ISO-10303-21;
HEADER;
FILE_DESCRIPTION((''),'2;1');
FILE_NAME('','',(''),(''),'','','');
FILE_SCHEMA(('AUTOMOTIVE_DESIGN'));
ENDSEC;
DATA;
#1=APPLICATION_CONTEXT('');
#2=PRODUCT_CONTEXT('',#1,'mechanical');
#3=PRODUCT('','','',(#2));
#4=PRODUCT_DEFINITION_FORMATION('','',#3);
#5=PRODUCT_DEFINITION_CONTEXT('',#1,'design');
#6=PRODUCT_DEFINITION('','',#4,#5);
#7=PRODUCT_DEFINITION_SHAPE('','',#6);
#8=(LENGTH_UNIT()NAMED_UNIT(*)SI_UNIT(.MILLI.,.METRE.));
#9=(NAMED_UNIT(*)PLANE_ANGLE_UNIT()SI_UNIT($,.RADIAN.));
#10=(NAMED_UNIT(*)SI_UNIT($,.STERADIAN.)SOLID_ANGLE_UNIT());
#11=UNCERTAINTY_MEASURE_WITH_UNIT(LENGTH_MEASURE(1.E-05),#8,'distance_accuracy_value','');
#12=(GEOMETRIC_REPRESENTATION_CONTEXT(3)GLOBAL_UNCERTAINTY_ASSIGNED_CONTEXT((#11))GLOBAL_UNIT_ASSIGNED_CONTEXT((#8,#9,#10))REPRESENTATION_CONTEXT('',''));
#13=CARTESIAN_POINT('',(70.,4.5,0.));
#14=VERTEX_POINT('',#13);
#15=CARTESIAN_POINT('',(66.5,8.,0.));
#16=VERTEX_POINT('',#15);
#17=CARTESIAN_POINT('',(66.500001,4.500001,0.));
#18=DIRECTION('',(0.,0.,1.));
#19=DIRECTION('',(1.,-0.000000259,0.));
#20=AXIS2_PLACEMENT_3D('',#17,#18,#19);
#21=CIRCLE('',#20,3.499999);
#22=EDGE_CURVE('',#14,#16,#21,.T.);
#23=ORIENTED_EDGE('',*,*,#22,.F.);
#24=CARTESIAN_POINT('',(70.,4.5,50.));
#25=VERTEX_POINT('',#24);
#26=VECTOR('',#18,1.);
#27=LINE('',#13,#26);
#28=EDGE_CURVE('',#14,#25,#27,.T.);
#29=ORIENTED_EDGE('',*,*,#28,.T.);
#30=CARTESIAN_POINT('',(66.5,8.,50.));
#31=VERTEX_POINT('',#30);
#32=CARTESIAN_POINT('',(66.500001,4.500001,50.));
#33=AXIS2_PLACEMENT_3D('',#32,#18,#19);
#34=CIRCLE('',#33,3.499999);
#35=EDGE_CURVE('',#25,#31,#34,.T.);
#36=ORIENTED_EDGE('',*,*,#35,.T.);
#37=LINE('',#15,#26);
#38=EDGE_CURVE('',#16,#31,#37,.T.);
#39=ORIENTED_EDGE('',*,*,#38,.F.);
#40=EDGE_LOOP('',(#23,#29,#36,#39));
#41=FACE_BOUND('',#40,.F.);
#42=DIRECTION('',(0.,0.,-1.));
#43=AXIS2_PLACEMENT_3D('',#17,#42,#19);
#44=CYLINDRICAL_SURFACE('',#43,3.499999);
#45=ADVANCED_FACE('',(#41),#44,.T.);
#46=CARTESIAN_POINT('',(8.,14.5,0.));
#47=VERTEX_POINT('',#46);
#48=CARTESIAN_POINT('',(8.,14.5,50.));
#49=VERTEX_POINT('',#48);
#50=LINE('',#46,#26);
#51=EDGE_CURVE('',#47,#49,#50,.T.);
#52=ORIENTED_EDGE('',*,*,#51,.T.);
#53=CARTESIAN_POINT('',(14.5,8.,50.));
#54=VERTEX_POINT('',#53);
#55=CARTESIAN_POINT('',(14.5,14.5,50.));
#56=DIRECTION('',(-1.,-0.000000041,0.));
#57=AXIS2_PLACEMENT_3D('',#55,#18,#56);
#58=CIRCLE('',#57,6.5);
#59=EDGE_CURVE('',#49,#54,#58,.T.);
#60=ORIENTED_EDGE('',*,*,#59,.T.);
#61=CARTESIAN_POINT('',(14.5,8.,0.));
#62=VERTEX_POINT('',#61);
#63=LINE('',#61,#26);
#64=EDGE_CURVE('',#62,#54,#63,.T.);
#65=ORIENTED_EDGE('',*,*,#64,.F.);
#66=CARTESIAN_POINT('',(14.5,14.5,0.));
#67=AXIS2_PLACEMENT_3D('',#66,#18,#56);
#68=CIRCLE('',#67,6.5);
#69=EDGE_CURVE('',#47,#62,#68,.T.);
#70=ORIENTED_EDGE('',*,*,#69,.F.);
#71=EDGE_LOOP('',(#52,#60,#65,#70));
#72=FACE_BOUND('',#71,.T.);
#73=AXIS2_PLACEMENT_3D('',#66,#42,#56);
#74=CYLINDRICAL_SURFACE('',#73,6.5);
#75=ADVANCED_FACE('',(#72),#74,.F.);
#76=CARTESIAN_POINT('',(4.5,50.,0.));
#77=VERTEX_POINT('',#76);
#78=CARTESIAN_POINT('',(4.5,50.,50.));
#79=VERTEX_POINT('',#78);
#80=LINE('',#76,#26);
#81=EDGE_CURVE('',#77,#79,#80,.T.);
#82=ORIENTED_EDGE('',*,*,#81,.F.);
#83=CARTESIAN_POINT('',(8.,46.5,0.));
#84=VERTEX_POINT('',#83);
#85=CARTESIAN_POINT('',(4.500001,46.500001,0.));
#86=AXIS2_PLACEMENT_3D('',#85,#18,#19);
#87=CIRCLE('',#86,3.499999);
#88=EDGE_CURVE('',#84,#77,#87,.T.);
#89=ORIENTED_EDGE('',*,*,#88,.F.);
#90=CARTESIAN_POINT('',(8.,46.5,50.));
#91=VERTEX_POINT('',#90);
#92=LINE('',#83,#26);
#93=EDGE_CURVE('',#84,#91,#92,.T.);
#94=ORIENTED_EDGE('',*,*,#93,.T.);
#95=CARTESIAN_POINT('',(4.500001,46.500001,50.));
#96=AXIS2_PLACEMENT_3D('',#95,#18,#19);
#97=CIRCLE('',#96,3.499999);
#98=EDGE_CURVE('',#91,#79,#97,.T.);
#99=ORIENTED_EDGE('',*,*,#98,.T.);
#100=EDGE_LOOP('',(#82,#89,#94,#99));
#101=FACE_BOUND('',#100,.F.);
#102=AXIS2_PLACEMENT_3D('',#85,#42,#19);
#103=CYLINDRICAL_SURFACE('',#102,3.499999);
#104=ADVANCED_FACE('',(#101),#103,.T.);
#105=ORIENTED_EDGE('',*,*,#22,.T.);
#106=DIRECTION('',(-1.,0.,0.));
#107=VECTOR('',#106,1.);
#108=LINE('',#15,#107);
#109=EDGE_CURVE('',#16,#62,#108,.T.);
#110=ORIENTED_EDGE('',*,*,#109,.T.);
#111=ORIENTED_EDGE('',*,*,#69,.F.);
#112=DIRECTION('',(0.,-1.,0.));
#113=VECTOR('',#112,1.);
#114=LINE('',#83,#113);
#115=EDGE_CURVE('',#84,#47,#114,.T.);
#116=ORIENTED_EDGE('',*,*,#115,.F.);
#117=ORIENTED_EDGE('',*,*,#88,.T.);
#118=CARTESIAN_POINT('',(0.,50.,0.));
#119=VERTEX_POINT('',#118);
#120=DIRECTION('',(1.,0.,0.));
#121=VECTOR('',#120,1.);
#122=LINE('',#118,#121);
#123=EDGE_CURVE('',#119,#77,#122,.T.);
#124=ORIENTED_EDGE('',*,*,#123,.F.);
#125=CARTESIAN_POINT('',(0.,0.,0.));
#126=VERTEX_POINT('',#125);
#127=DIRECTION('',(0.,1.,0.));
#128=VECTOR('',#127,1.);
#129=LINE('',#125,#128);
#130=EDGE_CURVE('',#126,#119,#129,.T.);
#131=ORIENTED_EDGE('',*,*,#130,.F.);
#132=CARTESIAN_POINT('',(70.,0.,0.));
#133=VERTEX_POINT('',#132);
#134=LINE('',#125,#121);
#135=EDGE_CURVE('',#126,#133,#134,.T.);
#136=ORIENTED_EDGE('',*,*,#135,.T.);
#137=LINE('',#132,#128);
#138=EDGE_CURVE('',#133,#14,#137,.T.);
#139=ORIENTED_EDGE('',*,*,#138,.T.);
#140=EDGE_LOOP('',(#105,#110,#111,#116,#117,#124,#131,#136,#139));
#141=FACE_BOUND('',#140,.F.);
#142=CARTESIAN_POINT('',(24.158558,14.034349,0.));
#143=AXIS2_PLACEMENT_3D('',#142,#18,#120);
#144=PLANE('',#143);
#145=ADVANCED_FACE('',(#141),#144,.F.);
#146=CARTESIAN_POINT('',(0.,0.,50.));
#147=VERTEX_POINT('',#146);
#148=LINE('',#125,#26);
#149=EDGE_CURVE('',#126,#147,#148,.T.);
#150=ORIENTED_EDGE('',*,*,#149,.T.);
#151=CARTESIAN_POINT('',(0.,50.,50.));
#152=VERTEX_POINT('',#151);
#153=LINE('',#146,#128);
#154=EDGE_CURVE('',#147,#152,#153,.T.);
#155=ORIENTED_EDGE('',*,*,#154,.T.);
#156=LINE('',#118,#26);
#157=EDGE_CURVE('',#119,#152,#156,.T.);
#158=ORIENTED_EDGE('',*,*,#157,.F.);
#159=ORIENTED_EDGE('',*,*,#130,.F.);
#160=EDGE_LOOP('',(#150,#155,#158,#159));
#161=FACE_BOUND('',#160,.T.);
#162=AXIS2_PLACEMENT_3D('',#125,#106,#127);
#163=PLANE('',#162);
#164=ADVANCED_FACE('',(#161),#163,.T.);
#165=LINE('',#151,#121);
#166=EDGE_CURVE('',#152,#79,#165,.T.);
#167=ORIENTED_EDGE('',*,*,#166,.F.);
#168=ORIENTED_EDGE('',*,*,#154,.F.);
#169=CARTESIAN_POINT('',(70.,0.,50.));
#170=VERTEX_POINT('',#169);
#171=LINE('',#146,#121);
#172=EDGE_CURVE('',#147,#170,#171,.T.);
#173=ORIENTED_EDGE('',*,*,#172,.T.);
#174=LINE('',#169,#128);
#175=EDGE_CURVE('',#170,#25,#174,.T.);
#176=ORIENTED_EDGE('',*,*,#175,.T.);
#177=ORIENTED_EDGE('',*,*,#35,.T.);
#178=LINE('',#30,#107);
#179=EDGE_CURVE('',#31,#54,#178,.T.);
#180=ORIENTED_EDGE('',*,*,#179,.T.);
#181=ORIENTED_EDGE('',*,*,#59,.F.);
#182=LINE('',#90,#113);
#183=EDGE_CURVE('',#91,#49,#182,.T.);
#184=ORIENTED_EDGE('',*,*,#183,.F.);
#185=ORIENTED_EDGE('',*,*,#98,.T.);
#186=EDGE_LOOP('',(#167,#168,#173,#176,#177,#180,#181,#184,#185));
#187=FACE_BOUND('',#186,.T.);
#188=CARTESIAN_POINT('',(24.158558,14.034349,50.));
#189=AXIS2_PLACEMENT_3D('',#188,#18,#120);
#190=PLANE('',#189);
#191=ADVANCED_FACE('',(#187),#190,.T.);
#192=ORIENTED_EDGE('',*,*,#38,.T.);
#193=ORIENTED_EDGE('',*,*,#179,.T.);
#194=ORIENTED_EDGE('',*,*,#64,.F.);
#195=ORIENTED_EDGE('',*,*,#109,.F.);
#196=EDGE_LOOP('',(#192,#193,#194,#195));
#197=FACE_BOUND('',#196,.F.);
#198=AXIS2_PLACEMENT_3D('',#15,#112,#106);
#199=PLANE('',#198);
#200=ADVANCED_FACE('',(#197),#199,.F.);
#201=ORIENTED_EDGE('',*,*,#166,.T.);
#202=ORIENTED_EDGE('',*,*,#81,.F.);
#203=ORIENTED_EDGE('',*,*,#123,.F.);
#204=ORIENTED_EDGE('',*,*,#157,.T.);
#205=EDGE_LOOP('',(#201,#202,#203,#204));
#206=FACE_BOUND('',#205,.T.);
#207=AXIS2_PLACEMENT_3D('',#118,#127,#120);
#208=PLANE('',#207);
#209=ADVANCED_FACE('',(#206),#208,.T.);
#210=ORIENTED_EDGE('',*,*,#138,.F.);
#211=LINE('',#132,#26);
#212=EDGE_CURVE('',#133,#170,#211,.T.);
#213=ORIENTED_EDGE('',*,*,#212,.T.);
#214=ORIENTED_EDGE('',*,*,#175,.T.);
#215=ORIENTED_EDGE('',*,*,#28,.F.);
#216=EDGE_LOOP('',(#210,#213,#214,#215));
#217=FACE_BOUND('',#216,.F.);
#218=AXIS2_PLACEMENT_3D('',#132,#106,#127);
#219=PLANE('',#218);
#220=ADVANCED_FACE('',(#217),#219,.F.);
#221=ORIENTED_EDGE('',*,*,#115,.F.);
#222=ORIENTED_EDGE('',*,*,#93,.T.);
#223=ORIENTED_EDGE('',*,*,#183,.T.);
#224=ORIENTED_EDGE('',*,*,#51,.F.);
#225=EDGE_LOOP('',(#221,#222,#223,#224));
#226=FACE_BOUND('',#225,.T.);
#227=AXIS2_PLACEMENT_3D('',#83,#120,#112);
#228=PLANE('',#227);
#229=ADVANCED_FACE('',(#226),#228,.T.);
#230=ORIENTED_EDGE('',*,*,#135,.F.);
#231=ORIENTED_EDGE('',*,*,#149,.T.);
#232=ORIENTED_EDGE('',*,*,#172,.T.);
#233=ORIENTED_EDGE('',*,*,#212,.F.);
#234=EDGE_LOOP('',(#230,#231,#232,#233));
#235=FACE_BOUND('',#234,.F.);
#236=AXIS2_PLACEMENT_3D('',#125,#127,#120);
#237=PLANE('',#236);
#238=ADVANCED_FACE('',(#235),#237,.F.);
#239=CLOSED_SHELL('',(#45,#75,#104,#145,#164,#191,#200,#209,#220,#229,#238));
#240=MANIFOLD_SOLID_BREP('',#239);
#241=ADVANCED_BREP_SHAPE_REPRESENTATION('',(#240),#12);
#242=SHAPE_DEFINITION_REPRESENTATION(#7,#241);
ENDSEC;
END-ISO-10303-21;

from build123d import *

# Parameters (mm, degrees)
EXTRUDE_DEPTH = 50


with BuildPart() as part:
    # Sketch → Extrude (new body)
    with BuildSketch(Plane.XY):
        with BuildLine():
            Line((0, 0), (70, 0))
            Line((70, 0), (70, 4.5))
            ThreePointArc((70, 4.5), (68.974874, 6.974874), (66.5, 8))
            Line((66.5, 8), (14.5, 8))
            ThreePointArc((8, 14.5), (9.903806, 9.903806), (14.5, 8))
            Line((8, 46.5), (8, 14.5))
            ThreePointArc((8, 46.5), (6.974874, 48.974874), (4.5, 50))
            Line((0, 50), (4.5, 50))
            Line((0, 0), (0, 50))
        make_face()
    extrude(amount=EXTRUDE_DEPTH)


solid = part.part
